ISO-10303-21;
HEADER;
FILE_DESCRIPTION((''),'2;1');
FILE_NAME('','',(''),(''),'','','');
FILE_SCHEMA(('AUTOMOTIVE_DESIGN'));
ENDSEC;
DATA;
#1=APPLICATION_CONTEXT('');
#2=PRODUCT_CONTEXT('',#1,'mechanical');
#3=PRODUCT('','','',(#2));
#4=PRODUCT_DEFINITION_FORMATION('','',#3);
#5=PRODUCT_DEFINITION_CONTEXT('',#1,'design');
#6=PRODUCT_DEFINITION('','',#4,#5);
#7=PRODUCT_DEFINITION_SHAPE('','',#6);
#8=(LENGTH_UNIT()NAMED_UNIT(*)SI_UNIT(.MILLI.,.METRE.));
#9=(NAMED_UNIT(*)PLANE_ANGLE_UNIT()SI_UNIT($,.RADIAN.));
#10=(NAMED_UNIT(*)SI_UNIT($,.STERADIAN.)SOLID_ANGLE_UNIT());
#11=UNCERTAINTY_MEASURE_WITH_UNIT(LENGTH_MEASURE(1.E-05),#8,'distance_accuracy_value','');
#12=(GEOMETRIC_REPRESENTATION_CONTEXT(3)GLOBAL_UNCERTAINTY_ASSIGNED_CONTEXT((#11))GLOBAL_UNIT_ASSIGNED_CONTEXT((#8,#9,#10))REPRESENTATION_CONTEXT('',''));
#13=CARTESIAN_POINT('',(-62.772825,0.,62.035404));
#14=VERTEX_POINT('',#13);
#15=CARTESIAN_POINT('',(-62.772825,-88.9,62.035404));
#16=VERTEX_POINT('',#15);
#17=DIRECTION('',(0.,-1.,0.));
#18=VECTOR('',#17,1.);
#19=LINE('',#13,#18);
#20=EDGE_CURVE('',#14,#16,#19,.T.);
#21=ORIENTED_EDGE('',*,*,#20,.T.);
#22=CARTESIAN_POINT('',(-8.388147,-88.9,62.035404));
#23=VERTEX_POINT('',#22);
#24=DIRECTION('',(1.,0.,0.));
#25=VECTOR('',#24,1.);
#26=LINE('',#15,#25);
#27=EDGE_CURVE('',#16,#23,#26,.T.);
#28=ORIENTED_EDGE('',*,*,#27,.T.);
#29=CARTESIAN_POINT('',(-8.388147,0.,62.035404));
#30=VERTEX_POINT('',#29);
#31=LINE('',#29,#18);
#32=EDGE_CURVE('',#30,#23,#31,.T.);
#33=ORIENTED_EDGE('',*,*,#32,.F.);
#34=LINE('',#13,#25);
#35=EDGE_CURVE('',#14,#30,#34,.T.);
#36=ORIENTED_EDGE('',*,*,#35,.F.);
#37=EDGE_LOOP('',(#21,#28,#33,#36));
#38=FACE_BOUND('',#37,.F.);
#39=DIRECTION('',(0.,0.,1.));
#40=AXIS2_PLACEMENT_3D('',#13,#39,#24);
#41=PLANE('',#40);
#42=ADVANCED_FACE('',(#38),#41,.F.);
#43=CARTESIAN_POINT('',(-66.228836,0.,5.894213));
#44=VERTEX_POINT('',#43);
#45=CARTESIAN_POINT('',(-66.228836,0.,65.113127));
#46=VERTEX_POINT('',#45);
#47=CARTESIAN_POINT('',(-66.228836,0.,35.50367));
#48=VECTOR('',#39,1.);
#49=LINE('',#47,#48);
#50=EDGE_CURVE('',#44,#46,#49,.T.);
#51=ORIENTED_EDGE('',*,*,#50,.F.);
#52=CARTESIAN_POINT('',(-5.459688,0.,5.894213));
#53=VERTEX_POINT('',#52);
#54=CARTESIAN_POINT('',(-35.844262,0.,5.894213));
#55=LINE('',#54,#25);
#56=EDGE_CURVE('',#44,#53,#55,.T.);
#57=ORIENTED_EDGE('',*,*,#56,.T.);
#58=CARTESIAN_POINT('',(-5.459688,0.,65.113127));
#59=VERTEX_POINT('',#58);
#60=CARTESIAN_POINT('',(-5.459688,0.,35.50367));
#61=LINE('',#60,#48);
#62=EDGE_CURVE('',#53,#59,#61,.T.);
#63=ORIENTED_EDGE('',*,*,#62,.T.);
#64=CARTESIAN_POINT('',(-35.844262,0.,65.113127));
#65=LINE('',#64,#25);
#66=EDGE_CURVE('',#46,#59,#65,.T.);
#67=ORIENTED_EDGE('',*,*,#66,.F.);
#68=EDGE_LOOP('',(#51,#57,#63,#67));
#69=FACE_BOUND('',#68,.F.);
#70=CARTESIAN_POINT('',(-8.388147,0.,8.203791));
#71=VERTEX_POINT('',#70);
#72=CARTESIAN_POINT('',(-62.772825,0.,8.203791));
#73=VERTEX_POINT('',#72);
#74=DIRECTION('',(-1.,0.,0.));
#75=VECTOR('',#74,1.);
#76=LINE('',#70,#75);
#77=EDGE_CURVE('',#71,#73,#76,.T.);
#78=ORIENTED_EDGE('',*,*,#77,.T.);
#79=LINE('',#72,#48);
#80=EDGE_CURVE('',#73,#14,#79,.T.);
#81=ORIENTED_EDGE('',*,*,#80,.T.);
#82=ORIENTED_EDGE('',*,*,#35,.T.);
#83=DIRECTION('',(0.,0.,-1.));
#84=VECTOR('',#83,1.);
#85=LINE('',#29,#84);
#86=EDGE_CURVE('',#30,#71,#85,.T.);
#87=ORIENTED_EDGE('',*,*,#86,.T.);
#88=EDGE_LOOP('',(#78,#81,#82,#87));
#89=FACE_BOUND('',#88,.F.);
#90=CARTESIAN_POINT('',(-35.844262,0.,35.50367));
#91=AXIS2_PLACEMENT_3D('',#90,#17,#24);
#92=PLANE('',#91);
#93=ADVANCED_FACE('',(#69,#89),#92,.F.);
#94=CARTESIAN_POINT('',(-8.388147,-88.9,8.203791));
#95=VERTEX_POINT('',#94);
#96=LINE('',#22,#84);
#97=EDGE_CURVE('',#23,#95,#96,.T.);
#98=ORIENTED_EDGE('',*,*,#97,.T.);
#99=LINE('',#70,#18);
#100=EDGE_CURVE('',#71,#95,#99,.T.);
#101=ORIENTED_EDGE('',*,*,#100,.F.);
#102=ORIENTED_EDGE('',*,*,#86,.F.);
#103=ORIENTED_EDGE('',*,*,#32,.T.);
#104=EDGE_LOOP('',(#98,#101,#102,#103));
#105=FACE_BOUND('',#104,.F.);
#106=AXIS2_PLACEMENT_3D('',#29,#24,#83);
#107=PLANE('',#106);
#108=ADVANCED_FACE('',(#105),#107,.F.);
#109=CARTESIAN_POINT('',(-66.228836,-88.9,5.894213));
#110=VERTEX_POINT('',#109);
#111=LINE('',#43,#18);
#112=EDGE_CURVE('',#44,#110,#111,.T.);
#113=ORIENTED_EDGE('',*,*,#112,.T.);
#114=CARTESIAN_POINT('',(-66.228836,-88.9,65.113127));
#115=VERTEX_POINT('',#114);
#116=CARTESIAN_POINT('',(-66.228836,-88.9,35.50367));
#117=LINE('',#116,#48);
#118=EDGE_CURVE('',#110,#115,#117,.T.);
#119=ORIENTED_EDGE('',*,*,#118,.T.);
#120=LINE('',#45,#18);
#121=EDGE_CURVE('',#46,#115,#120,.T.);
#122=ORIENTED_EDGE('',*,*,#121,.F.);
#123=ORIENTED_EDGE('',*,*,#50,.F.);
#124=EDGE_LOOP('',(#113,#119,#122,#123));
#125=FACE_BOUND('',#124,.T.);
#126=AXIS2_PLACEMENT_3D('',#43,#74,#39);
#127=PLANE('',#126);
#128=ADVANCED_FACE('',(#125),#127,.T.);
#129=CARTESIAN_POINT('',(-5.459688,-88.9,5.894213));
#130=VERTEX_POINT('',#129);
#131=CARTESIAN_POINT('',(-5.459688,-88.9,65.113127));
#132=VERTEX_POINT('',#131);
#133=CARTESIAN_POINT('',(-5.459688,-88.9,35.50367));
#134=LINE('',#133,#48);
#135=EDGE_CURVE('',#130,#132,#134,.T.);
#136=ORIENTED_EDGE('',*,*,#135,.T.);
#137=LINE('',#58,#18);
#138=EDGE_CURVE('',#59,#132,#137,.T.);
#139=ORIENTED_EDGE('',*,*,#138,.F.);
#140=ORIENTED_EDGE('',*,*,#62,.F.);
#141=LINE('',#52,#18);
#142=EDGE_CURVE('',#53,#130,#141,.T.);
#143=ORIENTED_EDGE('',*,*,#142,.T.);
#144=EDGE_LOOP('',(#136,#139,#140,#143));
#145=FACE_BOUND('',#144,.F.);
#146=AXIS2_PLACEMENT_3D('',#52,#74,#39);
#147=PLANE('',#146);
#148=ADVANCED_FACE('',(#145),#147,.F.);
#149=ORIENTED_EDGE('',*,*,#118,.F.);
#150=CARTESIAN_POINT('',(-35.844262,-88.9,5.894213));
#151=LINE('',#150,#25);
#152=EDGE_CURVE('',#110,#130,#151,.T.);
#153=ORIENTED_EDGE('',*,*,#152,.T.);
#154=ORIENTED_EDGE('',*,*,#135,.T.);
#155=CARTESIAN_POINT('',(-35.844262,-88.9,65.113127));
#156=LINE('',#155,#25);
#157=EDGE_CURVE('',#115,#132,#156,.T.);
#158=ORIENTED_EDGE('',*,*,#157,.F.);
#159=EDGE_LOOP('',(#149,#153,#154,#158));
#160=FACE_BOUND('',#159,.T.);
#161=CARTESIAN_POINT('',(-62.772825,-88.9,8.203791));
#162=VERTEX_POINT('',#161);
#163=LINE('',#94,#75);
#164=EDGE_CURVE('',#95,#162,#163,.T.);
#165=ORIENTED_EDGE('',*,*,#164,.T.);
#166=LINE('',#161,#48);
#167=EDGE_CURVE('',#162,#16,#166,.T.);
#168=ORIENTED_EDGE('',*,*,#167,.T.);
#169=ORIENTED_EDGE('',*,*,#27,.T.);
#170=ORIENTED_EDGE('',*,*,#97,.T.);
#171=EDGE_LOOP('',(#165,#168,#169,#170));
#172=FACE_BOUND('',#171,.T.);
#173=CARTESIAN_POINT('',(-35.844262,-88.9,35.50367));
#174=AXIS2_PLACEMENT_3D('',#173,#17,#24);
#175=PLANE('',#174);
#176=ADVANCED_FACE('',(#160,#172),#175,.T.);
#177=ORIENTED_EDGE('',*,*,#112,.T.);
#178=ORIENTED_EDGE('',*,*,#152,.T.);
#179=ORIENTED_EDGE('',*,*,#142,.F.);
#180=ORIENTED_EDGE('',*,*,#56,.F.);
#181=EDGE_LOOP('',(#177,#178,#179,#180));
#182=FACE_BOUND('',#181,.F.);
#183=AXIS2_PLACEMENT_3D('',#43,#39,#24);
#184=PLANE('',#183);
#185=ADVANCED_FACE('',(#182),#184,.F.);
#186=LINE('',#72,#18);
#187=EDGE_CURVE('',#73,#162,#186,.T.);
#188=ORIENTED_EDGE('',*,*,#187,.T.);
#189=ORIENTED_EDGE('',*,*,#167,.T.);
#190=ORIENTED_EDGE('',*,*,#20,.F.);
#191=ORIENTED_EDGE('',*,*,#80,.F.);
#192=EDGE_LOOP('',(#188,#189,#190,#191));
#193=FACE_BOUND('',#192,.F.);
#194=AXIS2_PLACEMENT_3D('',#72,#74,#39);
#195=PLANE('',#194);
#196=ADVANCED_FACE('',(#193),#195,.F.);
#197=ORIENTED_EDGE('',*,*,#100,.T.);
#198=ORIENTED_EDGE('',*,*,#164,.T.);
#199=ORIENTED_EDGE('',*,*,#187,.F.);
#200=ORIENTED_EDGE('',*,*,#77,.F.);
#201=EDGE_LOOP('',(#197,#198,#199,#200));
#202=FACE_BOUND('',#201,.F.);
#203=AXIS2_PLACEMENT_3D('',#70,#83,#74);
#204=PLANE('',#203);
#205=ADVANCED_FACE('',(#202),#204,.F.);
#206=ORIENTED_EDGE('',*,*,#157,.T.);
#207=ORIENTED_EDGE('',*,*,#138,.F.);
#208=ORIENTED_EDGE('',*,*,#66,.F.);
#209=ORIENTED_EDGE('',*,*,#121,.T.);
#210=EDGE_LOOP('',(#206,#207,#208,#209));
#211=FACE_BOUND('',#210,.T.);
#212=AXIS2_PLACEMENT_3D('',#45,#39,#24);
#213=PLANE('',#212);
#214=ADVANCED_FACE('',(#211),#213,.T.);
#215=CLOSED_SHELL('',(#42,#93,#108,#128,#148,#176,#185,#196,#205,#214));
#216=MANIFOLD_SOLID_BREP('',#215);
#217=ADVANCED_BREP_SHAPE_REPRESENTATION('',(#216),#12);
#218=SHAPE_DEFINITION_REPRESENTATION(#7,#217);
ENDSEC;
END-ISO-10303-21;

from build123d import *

# Parameters (mm, degrees)
F0_W     = 60.769149
F0_H     = 59.218914
F1_DEPTH = 88.9


with BuildPart() as f1:
    # F0 (on Front) → F1 (new body)
    with BuildSketch(Plane.XZ):
        with Locations((-35.844262, 35.50367)):
            Rectangle(F0_W, F0_H)
        Polygon((-62.772825, 8.203791), (-62.772825, 62.035404), (-61.113629, 62.035404), (-8.388147, 62.035404), (-8.388147, 8.203791), (-61.113629, 8.203791), align=None, mode=Mode.SUBTRACT)
    extrude(amount=F1_DEPTH)


solid = f1.part
